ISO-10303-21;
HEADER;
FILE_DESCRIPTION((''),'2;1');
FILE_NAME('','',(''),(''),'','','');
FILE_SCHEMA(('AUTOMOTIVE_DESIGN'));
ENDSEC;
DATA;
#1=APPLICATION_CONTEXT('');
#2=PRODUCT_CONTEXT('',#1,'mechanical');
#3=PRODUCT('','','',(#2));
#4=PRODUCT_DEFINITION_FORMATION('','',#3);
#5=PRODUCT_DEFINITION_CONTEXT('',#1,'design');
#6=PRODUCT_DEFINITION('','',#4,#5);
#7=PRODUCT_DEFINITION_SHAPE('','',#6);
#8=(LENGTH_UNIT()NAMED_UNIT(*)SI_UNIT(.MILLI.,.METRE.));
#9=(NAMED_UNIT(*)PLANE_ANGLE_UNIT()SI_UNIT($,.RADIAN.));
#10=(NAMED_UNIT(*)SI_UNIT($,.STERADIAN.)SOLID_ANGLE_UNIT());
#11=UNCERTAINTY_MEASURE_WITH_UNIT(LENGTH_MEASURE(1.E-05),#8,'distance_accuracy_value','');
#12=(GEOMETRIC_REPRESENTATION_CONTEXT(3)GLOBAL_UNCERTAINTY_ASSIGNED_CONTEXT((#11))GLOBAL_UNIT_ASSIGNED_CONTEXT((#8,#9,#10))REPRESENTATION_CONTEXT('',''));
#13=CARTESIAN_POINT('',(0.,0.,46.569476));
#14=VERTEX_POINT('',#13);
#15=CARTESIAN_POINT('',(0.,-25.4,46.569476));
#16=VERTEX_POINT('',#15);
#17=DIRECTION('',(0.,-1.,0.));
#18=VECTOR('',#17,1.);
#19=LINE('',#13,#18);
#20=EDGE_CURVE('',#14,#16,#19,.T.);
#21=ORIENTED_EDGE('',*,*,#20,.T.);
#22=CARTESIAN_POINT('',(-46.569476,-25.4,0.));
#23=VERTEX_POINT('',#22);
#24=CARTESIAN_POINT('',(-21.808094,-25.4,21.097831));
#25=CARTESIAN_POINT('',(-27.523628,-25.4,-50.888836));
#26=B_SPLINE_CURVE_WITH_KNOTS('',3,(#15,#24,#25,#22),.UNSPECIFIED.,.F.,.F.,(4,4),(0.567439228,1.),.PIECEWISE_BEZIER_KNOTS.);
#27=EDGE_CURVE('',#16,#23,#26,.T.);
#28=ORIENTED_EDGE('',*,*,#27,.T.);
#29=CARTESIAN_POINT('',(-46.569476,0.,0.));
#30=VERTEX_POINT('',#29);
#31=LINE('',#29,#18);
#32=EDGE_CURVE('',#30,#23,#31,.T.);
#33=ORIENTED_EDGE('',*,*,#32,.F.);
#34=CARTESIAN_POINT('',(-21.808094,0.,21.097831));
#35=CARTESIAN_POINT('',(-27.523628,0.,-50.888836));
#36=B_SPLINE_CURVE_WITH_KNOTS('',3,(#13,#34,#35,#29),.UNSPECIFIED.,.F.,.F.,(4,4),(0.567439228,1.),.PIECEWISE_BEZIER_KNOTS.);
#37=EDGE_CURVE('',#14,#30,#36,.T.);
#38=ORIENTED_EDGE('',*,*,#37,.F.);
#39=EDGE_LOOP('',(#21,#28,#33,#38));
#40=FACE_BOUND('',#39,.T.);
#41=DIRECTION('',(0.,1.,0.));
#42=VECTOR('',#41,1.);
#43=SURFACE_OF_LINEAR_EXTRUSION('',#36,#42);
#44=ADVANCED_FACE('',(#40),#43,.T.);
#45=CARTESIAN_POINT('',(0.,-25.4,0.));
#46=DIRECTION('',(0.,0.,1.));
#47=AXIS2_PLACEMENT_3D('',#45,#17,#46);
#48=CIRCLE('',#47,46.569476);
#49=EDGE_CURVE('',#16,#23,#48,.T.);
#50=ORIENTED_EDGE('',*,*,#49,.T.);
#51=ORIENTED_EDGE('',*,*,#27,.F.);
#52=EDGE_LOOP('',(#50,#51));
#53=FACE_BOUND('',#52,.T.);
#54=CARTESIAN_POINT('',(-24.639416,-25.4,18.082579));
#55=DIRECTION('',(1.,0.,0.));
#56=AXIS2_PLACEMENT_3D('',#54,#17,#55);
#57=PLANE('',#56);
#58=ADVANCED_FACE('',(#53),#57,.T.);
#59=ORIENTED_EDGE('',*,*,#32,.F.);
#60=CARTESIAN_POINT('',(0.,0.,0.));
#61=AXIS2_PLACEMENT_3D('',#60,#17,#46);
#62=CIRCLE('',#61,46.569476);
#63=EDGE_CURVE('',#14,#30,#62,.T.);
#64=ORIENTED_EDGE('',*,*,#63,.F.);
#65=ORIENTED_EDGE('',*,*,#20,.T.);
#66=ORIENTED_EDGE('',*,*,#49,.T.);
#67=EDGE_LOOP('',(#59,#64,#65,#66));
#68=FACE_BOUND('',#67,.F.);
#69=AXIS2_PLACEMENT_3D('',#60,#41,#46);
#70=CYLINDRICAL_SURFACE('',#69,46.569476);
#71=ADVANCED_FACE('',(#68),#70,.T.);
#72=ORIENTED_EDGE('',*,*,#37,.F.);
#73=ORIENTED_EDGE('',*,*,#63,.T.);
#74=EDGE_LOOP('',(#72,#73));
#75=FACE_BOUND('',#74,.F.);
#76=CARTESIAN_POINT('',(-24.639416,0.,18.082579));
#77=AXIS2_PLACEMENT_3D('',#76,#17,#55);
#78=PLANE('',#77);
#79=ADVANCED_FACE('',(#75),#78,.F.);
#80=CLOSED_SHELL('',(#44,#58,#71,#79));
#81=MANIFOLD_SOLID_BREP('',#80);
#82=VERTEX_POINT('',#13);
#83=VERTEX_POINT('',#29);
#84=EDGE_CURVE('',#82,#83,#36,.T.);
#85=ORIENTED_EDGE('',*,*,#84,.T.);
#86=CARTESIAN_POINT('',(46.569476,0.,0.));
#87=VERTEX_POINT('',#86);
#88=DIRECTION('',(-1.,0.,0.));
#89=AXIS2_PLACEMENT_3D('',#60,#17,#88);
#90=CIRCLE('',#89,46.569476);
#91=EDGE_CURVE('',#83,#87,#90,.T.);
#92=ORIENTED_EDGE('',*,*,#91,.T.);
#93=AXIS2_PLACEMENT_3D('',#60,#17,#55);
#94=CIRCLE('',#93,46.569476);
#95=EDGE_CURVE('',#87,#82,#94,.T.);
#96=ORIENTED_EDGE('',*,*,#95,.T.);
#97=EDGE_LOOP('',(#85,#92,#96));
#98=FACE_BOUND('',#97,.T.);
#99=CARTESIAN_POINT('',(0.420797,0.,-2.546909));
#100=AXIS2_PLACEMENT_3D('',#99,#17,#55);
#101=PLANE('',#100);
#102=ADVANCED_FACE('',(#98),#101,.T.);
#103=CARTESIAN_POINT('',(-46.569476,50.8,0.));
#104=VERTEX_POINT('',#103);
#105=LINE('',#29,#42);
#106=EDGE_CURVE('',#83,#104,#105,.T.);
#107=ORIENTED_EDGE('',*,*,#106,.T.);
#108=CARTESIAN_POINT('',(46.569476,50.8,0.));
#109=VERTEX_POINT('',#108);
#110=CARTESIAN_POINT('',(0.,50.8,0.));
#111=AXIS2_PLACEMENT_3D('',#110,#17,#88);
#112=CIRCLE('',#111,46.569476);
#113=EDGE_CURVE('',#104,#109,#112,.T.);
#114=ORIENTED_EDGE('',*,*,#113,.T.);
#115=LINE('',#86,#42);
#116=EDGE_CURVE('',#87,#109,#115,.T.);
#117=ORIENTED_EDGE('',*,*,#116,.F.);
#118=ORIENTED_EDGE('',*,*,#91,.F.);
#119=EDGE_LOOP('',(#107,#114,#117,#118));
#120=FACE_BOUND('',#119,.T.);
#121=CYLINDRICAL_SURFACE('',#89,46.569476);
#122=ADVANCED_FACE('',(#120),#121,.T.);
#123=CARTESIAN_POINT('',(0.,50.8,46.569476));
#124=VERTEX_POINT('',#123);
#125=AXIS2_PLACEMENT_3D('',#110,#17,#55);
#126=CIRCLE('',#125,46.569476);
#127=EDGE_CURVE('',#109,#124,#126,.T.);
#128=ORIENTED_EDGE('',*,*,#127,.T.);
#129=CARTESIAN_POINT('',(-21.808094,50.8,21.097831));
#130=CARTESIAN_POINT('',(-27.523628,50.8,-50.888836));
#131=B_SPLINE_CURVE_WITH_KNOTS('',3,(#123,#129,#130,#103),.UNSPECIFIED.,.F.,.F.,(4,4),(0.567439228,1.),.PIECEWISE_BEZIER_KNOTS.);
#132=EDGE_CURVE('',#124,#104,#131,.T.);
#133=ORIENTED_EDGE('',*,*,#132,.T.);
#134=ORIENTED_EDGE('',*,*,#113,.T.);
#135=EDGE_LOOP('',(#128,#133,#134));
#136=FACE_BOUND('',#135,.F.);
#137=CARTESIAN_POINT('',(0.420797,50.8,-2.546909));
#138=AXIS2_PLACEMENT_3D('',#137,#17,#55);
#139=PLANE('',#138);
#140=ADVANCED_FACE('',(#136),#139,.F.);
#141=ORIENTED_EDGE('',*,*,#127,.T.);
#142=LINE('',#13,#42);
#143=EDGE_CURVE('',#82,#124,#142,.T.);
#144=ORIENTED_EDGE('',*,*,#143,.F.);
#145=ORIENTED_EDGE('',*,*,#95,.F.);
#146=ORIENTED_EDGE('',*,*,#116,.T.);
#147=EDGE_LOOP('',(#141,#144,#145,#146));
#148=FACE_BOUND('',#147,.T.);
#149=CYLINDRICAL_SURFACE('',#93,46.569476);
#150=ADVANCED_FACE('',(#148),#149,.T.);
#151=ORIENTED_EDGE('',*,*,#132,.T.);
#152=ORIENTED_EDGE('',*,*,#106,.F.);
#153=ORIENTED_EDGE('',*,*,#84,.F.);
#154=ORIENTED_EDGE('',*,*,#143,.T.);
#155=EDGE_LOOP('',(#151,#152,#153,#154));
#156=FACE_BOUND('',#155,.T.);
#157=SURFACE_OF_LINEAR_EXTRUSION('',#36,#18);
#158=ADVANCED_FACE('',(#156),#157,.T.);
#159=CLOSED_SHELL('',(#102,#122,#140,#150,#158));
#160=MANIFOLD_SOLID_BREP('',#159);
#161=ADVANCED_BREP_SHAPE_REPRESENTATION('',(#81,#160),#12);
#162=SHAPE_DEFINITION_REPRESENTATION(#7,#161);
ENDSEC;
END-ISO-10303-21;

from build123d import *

# Parameters (mm, degrees)
F1_DEPTH = 25.4
F2_DEPTH = 50.8


with BuildPart() as f1:
    # F0 (on Front) → F1 (new body)
    with BuildSketch(Plane.XZ):
        with BuildLine():
            ThreePointArc((0, 46.5694761132), (-32.929592356, 32.929592356), (-46.5694761132, 0))
            add(Edge.make_bspline(
                [(0, 46.5694761132), (-21.8080943928, 21.0978306064), (-27.5236275047, -50.8888363838), (-46.5694761132, 0)],
                knots=[0.5674392278, 0.5674392278, 0.5674392278, 0.5674392278, 1, 1, 1, 1], degree=3))
        make_face()
    extrude(amount=F1_DEPTH)

    # F0 (on Front) → F2 (join)
    with BuildSketch(Plane.XZ):
        with BuildLine():
            add(Edge.make_bspline(
                [(0, 46.5694761132), (-21.8080943928, 21.0978306064), (-27.5236275047, -50.8888363838), (-46.5694761132, 0)],
                knots=[0.5674392278, 0.5674392278, 0.5674392278, 0.5674392278, 1, 1, 1, 1], degree=3))
            ThreePointArc((-46.5694761132, 0), (0, -46.5694761132), (46.5694761132, 0))
            ThreePointArc((46.5694761132, 0), (32.929592356, 32.929592356), (0, 46.5694761132))
        make_face()
    extrude(amount=-F2_DEPTH)


solid = f1.part
